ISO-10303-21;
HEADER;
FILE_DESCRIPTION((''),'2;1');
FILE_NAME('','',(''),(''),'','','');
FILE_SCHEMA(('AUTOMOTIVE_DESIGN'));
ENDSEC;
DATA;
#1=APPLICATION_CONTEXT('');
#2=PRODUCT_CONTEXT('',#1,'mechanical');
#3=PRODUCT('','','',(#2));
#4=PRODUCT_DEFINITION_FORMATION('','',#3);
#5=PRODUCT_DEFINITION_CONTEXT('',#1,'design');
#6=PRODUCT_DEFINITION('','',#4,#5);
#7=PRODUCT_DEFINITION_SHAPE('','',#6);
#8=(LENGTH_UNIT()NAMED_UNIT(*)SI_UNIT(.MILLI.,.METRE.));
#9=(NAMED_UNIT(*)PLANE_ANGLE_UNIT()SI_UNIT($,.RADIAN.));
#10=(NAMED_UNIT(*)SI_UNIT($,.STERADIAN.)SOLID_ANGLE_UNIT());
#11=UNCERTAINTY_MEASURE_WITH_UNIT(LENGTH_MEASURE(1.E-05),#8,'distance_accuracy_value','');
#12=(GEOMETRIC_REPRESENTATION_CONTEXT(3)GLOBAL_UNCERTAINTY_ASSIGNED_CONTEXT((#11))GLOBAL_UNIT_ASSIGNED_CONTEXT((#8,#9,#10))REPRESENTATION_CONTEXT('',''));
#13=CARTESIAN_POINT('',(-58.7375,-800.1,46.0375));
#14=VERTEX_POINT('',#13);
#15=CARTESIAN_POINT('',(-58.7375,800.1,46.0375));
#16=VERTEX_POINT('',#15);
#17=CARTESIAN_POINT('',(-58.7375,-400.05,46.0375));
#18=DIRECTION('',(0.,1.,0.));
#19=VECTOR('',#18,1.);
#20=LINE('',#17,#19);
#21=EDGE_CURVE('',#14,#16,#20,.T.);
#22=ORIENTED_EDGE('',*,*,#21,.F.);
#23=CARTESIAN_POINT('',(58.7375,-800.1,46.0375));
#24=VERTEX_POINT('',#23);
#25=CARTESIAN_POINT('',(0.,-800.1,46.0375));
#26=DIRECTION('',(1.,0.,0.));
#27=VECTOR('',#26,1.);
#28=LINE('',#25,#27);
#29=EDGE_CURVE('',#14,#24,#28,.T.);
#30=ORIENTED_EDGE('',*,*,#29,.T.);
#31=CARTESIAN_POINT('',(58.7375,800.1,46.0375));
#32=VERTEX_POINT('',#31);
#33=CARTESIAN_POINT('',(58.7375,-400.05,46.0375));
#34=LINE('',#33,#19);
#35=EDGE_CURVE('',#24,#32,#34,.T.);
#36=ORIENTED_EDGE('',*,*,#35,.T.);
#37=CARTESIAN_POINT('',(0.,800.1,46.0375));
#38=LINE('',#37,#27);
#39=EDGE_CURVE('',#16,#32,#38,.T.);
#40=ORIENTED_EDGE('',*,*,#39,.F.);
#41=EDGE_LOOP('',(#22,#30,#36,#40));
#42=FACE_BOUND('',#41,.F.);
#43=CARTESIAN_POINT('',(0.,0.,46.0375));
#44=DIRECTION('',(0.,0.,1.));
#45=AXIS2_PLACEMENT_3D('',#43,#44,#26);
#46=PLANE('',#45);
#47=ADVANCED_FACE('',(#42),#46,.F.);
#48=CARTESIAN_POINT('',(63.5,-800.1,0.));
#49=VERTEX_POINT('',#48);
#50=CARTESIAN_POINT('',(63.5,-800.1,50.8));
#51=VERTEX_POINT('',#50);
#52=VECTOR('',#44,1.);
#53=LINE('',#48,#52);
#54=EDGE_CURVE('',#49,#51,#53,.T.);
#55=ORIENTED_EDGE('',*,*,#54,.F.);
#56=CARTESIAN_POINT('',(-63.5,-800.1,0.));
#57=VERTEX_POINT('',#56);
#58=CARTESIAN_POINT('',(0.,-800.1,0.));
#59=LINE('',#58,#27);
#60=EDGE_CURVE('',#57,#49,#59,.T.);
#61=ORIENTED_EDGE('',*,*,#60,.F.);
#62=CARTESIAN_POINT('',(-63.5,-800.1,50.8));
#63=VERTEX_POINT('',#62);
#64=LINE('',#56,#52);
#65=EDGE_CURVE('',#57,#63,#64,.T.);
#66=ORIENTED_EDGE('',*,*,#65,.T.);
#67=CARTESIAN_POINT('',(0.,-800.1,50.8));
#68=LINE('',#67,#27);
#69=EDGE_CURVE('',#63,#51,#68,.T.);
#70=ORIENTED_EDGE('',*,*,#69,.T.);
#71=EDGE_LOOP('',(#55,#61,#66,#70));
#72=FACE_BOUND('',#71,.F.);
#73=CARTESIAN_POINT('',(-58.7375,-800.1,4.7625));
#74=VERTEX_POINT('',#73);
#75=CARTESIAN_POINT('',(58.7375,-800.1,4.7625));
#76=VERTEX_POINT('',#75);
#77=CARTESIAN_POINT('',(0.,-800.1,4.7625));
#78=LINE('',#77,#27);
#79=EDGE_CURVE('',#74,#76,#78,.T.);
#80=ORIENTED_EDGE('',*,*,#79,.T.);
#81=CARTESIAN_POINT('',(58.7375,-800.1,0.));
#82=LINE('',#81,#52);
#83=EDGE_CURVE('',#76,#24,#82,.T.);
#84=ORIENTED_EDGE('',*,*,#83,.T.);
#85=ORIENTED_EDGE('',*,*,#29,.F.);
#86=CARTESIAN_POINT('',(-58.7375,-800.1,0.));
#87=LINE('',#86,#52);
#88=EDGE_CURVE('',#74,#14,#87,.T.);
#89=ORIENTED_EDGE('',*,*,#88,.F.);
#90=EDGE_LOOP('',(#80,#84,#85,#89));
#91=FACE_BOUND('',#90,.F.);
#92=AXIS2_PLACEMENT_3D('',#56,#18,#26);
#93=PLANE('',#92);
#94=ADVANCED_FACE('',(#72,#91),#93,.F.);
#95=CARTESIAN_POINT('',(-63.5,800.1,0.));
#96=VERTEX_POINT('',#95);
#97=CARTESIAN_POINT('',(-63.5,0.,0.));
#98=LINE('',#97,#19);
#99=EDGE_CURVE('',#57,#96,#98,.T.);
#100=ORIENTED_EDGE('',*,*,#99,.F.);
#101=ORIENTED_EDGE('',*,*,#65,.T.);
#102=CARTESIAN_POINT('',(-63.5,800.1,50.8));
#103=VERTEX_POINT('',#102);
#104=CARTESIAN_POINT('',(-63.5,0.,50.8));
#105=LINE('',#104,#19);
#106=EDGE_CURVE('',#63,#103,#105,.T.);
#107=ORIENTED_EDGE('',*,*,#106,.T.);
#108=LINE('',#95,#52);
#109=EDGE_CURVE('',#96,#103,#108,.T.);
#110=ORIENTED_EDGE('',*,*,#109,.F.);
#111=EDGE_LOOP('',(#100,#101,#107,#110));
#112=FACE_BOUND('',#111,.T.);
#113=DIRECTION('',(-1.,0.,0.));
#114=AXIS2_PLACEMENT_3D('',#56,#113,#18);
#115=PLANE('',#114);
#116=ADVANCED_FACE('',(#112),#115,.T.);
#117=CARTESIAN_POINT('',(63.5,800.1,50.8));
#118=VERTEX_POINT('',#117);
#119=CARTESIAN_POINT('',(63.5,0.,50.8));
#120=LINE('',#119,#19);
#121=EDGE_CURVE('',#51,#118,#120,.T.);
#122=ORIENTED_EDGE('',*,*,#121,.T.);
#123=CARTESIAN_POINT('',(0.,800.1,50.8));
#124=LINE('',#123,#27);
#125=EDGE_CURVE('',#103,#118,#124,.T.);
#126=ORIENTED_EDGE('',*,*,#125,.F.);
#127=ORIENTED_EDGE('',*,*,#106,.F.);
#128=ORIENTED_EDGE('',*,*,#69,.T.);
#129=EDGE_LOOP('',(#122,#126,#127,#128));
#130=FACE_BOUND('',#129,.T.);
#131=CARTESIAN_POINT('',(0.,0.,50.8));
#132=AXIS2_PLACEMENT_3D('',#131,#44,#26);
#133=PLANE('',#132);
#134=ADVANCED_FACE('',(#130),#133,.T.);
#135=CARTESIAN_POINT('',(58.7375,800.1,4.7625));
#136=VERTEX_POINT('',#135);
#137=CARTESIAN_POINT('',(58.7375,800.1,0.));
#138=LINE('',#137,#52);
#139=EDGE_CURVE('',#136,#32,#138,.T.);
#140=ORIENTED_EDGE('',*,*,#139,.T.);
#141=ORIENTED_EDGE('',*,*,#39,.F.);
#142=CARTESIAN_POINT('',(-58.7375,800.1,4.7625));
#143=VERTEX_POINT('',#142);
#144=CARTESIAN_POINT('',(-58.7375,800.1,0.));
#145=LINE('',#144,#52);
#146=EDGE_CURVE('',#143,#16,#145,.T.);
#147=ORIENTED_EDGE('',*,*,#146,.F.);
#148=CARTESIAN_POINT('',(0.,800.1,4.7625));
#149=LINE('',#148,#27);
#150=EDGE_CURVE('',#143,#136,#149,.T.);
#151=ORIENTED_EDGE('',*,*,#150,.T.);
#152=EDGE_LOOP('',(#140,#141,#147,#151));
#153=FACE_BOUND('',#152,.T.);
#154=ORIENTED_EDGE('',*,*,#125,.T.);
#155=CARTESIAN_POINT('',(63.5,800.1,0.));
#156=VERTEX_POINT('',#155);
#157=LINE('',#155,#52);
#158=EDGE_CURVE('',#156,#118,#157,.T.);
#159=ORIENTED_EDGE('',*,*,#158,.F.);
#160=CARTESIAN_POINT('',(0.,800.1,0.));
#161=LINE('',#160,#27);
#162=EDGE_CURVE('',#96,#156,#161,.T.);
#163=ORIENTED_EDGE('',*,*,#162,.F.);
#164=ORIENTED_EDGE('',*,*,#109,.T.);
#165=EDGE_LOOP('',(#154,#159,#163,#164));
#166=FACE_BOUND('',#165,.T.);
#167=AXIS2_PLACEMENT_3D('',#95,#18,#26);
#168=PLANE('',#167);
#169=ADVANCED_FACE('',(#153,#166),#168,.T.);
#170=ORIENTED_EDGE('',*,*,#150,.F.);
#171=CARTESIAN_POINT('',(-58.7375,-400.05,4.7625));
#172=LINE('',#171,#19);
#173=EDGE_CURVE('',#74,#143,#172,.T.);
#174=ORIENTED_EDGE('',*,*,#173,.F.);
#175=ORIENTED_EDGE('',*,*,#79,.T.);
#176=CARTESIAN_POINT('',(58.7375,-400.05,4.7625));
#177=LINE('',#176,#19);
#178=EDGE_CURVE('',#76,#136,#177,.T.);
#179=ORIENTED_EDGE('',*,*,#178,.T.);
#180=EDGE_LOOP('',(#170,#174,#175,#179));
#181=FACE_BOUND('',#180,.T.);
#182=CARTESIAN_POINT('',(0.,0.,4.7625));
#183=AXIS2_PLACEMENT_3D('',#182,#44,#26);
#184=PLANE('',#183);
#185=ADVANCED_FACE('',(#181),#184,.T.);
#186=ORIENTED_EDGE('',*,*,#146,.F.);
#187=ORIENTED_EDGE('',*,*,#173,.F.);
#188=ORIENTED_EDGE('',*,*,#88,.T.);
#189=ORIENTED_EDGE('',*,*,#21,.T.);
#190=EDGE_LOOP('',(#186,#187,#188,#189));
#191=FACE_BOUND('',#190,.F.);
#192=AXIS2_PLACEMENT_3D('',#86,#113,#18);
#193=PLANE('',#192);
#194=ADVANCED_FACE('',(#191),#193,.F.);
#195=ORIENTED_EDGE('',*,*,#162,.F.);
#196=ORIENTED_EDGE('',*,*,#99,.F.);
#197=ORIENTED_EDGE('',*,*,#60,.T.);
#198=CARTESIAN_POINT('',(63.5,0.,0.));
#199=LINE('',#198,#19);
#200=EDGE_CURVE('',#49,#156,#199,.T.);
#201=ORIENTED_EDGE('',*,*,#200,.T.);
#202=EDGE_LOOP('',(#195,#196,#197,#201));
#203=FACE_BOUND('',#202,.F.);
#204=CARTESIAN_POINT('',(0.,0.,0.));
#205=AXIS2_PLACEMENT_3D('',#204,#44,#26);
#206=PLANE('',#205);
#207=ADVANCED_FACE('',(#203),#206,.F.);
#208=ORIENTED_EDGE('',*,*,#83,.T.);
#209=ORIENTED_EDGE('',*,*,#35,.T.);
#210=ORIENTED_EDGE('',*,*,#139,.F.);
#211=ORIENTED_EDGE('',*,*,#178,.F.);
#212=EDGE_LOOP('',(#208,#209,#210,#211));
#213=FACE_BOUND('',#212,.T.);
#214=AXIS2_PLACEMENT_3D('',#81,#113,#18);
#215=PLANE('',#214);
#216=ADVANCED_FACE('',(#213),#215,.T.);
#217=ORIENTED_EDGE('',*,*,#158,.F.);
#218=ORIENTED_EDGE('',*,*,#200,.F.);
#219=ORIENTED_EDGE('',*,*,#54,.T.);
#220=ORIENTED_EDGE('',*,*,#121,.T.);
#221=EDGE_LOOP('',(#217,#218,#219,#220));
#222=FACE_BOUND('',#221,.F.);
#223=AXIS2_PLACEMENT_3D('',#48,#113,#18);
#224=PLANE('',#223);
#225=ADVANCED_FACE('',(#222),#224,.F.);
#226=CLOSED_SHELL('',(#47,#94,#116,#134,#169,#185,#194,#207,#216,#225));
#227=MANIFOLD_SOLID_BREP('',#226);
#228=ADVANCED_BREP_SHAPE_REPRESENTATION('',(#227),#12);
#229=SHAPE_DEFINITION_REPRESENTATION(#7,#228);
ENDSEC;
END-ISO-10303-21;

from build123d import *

# Parameters (mm, degrees)
F0_W     = 127
F0_H     = 1600.2
F1_DEPTH = 50.8
F2_T     = -4.7625


with BuildPart() as f1:
    # F0 (on Top) → F1 (new body)
    with BuildSketch(Plane.XY):
        Rectangle(F0_W, F0_H)
    extrude(amount=F1_DEPTH)

    # F2
    f2_openings = [f1.faces().sort_by_distance(p)[0] for p in [
        (0, -800.1, 25.4),
        (0, 800.1, 25.4),
    ]]
    offset(amount=F2_T, openings=f2_openings)


solid = f1.part
